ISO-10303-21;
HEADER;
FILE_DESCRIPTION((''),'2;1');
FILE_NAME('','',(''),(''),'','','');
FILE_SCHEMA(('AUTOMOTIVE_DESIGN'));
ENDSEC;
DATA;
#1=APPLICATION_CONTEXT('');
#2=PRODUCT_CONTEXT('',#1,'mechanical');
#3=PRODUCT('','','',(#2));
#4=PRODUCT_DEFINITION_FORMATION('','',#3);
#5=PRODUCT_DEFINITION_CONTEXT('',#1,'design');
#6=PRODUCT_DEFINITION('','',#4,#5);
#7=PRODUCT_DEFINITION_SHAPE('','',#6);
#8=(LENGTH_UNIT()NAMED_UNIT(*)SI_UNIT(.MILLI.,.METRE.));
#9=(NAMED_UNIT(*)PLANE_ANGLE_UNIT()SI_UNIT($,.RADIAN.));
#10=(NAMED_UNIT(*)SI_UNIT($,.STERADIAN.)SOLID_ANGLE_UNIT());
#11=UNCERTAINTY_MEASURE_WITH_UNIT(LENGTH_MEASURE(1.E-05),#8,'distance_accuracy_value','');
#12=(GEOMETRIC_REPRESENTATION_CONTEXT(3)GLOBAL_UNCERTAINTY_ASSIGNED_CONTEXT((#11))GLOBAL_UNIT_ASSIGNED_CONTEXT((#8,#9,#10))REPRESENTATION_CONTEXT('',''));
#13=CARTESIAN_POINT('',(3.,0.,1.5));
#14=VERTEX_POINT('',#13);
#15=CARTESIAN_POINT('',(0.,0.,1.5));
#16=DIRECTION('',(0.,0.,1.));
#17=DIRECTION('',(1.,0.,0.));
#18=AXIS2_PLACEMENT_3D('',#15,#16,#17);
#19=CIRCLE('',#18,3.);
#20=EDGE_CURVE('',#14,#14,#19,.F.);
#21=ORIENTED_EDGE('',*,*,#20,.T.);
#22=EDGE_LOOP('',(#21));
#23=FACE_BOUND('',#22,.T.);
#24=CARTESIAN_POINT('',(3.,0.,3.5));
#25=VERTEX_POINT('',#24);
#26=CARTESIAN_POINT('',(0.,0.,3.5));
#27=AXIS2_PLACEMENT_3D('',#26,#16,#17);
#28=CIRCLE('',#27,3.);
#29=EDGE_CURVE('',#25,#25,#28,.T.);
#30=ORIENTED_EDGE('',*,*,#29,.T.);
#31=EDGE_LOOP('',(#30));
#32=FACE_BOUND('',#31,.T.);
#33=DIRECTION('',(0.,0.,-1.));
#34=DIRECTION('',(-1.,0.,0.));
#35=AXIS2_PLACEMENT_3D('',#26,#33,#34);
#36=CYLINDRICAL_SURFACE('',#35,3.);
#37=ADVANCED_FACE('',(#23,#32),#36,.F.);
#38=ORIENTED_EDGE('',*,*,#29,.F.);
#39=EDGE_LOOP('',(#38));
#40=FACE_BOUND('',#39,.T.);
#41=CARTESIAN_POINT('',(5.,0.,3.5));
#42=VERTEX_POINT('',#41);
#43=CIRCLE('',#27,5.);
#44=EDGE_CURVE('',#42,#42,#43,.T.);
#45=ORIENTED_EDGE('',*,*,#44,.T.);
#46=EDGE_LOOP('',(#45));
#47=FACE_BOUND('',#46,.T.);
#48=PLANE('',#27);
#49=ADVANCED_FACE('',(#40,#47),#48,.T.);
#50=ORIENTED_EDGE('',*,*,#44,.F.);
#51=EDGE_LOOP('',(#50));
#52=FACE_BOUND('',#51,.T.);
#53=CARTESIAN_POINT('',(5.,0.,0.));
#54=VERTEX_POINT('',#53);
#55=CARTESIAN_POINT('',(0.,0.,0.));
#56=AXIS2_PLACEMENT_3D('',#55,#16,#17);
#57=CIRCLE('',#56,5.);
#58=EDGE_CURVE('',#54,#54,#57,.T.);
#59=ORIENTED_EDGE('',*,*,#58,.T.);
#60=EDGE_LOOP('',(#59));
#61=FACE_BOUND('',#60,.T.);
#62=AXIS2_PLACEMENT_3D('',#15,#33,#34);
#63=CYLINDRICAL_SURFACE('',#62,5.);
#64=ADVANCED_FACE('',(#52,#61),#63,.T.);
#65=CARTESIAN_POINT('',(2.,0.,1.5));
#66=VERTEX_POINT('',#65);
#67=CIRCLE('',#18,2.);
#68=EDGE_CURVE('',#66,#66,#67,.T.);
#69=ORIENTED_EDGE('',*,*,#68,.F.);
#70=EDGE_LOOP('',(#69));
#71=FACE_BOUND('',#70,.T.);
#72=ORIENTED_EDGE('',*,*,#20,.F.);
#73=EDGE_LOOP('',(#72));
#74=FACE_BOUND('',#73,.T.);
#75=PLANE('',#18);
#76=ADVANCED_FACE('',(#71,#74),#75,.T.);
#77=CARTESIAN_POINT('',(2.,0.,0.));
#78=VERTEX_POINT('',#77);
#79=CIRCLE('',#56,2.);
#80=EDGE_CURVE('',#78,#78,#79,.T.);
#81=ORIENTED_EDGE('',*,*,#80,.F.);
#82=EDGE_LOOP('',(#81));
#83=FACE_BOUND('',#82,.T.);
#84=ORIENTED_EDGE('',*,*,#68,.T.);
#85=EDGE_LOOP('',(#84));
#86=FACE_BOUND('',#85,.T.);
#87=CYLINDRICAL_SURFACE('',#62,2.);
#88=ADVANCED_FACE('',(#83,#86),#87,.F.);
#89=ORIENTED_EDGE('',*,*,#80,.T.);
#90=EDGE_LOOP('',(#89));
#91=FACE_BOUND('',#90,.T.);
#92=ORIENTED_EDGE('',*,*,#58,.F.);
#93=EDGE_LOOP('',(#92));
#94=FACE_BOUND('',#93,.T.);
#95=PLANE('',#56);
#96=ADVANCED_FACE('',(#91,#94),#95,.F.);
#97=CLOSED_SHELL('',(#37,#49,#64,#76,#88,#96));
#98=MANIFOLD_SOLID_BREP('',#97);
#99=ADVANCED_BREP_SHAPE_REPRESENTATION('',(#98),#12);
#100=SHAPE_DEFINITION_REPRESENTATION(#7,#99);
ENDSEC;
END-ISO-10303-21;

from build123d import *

# Parameters (mm, degrees)
SKETCH1_R           = 5
SKETCH1_R_2         = 2
BOSS_EXTRUDE1_DEPTH = 1.5
SKETCH2_R           = 5
SKETCH2_R_2         = 3
BOSS_EXTRUDE2_DEPTH = 2


with BuildPart() as part:
    # Sketch1 → Boss-Extrude1 (new body)
    with BuildSketch(Plane.XY):
        Circle(SKETCH1_R)
        Circle(SKETCH1_R_2, mode=Mode.SUBTRACT)
    extrude(amount=BOSS_EXTRUDE1_DEPTH)

    # Sketch2 → Boss-Extrude2 (add)
    with BuildSketch(Plane.XY.offset(1.5)):
        Circle(SKETCH2_R)
        Circle(SKETCH2_R_2, mode=Mode.SUBTRACT)
    extrude(amount=BOSS_EXTRUDE2_DEPTH)


solid = part.part
